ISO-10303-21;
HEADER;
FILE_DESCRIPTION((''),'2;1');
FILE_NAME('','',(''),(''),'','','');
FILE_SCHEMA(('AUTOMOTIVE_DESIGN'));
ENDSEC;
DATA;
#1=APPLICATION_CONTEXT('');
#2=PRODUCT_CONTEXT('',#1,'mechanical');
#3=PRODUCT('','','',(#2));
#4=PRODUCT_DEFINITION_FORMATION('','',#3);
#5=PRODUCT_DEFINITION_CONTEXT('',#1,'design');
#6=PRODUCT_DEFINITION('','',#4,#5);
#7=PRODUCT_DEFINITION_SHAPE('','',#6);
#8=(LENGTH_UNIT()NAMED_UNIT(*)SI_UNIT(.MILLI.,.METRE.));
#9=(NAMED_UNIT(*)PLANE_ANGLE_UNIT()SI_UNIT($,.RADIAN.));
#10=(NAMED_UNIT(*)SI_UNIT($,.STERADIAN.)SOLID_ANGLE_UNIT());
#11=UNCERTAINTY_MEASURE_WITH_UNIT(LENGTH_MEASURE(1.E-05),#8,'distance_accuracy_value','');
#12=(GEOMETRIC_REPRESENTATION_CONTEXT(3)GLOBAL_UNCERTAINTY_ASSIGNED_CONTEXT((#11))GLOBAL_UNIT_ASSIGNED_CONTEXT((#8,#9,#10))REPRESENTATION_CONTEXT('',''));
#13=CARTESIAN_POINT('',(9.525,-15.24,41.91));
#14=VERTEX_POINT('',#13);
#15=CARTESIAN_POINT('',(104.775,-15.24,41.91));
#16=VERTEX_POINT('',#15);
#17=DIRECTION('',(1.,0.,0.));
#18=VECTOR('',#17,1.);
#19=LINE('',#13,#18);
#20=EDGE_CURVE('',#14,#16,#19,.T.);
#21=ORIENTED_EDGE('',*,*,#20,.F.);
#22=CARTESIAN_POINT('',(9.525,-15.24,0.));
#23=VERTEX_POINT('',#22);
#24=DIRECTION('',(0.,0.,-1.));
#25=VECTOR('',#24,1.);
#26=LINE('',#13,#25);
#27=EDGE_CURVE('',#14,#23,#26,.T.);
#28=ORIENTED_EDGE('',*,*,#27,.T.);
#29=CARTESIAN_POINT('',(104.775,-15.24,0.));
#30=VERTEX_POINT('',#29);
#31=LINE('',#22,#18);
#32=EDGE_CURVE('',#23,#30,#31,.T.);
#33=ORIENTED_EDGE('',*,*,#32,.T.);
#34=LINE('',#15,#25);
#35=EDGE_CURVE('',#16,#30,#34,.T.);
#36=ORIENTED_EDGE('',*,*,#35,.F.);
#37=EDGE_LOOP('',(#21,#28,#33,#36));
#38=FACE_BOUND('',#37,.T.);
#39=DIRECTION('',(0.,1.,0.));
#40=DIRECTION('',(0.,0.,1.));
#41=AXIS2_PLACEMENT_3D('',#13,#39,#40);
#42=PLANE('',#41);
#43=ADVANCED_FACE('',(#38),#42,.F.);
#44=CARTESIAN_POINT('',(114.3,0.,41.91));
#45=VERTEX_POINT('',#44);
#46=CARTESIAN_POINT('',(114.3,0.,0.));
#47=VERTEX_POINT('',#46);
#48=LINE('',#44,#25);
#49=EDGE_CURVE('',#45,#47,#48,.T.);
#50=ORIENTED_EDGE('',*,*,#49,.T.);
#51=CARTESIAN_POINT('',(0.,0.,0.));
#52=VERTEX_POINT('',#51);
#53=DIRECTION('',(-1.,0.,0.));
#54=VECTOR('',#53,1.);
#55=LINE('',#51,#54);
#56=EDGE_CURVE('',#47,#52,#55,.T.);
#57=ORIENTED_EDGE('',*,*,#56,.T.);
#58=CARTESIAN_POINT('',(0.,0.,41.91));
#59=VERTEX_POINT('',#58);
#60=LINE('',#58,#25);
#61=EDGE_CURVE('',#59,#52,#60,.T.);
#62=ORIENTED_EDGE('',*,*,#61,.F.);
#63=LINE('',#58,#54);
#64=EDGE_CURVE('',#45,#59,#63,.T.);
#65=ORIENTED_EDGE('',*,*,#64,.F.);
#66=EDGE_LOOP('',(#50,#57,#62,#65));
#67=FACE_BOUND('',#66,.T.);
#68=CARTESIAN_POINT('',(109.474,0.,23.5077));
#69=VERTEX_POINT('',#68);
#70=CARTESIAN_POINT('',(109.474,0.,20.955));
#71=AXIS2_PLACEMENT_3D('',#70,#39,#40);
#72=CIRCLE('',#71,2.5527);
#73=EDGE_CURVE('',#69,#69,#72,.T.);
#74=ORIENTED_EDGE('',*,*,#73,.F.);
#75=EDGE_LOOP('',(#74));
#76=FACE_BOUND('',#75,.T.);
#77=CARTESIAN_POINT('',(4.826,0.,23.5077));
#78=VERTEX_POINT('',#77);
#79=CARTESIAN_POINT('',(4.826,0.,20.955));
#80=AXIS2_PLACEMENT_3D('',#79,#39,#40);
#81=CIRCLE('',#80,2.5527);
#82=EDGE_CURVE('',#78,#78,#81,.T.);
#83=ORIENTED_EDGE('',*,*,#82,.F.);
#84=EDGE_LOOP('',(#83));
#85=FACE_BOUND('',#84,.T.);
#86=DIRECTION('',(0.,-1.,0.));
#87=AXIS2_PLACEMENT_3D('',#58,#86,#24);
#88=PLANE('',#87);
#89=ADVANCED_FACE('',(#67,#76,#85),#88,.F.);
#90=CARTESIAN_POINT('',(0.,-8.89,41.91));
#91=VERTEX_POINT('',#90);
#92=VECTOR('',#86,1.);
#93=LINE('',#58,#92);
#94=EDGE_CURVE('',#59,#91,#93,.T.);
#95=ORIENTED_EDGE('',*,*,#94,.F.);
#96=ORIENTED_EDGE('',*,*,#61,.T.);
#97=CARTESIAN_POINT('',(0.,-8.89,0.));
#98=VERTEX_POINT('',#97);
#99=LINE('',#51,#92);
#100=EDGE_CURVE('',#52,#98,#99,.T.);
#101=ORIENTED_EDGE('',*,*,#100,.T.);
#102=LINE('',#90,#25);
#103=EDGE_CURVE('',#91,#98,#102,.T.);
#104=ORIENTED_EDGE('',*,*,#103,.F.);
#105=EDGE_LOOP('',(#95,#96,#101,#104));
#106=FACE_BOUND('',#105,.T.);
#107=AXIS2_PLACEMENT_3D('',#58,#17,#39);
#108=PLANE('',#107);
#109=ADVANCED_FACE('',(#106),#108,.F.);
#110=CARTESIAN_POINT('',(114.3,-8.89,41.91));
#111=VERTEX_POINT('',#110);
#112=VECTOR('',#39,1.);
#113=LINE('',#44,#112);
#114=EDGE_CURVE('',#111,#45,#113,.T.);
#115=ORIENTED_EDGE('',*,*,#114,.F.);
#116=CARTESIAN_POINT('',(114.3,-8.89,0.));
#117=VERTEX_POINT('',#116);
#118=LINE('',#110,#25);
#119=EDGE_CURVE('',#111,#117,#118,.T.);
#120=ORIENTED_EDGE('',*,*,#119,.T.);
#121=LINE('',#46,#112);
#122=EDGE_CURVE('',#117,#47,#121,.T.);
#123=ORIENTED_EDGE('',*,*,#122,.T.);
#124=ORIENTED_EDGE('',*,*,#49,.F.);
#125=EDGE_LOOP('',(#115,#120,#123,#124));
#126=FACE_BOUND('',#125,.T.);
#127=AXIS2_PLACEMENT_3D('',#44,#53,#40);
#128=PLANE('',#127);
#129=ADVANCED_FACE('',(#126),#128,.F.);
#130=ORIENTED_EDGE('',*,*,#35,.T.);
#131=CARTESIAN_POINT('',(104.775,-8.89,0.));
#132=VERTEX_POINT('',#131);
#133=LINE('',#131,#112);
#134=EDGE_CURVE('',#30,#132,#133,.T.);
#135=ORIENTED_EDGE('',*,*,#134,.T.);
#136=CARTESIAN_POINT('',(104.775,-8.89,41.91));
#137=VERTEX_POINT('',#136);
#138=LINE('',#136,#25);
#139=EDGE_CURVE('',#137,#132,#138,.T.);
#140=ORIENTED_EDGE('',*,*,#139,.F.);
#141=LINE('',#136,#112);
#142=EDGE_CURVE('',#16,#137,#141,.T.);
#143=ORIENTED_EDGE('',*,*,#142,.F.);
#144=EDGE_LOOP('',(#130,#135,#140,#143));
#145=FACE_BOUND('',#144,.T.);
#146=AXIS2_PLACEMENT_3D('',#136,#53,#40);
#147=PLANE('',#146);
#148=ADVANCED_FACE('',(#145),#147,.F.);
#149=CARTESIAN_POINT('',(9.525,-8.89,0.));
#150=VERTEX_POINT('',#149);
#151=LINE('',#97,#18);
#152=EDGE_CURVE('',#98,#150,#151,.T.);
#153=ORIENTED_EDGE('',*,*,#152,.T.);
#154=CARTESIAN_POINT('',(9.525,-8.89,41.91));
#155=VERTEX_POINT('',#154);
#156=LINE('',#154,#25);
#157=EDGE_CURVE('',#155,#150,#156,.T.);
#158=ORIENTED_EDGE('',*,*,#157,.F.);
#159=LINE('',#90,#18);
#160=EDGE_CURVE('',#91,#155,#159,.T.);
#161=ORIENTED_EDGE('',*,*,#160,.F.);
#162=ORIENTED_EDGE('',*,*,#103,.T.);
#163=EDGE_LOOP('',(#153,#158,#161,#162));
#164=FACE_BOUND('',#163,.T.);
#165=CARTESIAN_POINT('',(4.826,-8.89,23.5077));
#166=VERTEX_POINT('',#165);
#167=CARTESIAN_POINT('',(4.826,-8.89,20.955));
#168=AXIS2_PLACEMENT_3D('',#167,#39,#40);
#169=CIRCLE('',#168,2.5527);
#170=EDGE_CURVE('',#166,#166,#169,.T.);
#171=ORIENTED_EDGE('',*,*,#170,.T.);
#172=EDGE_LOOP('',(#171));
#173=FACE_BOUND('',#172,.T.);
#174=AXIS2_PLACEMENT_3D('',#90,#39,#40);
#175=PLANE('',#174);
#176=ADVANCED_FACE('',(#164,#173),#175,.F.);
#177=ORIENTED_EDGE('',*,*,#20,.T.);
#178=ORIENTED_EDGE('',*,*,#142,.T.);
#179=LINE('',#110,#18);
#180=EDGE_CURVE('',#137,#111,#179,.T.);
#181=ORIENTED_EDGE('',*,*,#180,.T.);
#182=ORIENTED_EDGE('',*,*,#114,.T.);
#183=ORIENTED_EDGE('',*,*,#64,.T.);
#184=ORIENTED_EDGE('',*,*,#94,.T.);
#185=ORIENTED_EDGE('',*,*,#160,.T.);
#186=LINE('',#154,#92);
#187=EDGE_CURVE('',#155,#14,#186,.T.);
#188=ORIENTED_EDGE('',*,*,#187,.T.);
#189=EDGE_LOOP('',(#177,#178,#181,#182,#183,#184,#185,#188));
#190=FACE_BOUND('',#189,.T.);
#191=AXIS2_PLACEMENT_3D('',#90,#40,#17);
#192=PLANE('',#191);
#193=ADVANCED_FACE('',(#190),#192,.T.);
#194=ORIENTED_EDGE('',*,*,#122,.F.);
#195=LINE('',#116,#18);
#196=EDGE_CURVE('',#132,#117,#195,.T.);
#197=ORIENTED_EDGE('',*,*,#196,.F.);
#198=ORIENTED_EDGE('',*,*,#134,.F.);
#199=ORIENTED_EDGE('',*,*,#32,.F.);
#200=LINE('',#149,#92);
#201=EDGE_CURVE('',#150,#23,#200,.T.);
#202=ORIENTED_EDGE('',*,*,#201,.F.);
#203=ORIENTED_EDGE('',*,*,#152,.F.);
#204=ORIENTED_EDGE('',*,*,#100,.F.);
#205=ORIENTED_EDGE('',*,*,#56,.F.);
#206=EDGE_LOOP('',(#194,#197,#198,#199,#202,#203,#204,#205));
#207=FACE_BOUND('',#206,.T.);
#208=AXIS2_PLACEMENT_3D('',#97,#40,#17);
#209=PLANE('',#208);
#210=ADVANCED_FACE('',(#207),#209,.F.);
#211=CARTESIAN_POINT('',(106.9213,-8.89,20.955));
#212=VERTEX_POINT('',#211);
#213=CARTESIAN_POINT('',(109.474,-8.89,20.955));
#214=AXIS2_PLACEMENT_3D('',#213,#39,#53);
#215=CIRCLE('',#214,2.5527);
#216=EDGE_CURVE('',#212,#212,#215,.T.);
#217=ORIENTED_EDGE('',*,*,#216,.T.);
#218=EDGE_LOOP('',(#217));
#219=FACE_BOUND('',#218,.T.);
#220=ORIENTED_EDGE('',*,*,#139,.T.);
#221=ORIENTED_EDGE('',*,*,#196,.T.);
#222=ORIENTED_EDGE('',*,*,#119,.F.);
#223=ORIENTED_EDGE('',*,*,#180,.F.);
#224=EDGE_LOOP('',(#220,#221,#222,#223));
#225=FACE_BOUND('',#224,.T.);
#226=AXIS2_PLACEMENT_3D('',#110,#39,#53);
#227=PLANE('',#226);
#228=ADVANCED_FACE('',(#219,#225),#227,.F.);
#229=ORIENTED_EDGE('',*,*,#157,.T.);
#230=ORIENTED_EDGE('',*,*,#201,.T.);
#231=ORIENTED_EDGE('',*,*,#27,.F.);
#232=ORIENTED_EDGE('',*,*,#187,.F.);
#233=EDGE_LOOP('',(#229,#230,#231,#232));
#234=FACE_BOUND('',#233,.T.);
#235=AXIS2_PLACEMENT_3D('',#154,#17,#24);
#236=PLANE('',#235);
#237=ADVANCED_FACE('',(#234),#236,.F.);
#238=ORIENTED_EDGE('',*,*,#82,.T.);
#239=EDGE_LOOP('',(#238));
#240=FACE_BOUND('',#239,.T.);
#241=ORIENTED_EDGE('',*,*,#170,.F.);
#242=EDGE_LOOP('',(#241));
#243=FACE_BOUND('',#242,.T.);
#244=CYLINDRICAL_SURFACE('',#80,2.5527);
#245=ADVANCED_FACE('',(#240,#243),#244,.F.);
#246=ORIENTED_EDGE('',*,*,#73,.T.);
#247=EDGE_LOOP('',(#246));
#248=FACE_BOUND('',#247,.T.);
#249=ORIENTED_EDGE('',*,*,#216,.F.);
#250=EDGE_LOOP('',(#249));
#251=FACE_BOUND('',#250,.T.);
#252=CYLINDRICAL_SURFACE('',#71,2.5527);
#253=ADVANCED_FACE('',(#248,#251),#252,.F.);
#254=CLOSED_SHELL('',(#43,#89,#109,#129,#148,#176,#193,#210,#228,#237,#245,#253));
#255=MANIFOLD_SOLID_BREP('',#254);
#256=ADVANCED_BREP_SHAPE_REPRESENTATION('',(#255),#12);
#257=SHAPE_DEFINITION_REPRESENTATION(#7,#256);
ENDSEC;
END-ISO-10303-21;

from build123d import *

# Parameters (mm, degrees)
BOSS_EXTRUDE1_DEPTH    = 41.91
F_10_CLEARANCE_HOLE1_D = 5.1054


with BuildPart() as part:
    # Sketch1 → Boss-Extrude1 (new body)
    with BuildSketch(Plane.XY):
        Polygon((0, 0), (114.3, 0), (114.3, -8.89), (104.775, -8.89), (104.775, -15.24), (9.525, -15.24), (9.525, -8.89), (0, -8.89), align=None)
    extrude(amount=BOSS_EXTRUDE1_DEPTH)

    # #10 Clearance Hole1 (through all)
    with Locations(Plane(origin=(4.826, 0, 20.955), x_dir=(0, 0, 1), z_dir=(0, 1, 0))):
        with Locations((0, 0), (0, 104.648)):
            Hole(F_10_CLEARANCE_HOLE1_D / 2)


solid = part.part
